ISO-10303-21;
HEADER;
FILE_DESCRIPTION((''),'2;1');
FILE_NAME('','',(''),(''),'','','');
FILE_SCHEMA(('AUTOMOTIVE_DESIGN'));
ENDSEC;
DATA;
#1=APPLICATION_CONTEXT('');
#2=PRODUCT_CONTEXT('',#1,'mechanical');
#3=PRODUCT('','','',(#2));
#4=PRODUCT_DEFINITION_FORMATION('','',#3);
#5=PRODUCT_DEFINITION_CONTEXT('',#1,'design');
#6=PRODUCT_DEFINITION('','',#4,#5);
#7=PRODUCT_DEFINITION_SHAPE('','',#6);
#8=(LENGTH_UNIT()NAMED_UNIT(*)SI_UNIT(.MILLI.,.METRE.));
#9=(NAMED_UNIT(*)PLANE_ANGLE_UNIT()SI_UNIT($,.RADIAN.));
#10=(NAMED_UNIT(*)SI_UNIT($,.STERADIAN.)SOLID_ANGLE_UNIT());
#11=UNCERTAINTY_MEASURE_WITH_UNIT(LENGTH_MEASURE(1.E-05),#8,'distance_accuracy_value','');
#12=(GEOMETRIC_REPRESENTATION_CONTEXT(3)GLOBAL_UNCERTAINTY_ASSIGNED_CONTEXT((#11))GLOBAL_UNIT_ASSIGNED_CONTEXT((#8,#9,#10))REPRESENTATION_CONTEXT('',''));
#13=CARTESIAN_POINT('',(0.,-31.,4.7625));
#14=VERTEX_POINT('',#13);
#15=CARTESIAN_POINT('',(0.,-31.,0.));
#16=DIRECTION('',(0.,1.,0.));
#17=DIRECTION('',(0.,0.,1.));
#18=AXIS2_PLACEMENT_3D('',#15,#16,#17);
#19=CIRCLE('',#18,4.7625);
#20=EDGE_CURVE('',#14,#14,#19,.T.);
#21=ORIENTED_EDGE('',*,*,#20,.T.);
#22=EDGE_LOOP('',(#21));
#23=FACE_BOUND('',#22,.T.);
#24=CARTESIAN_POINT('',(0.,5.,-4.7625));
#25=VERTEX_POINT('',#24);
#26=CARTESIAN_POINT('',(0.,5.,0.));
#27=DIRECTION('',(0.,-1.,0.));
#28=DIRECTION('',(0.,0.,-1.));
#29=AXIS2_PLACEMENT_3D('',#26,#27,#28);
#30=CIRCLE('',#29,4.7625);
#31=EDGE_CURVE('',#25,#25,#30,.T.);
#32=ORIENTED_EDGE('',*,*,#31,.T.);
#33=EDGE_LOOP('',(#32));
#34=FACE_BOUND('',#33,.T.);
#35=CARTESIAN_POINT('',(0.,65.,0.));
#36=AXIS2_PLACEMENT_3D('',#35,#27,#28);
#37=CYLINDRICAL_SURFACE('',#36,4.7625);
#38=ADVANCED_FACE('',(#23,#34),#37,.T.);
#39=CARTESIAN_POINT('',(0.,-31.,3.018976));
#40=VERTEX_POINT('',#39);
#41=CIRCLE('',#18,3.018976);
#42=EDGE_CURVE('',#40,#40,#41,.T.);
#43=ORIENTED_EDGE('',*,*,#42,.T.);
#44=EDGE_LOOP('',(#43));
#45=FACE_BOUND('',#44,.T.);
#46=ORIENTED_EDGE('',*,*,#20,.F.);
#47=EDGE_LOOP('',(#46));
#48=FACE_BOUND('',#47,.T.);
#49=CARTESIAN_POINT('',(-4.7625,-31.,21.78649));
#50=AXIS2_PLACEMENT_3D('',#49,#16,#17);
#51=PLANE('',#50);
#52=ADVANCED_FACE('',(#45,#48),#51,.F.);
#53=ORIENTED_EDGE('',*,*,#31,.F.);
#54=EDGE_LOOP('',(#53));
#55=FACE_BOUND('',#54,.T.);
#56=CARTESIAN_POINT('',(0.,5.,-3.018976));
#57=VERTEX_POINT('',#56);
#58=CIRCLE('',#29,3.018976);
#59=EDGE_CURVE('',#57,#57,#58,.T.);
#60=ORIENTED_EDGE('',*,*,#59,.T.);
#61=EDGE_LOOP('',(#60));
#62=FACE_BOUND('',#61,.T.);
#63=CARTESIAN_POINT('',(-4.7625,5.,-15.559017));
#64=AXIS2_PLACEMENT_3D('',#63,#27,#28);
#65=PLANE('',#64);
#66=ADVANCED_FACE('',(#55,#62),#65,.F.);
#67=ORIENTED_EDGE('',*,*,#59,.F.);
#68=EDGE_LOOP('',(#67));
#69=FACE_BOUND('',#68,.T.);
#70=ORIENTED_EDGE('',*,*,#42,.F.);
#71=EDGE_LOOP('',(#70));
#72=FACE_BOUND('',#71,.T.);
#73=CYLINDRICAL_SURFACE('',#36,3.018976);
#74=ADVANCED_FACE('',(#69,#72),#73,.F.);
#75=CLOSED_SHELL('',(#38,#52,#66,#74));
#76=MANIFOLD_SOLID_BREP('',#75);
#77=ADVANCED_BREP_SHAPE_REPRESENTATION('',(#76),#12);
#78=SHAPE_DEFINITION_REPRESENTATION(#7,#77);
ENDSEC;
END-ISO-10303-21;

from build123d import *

# Parameters (mm, degrees)
SKETCH1_R               = 4.7625
SKETCH1_R_2             = 3.018976491
BOSS_EXTRUDE1_DEPTH     = 65
SKETCH5_W               = 36.473052953
SKETCH5_H               = 81.397778837
CUT_EXTRUDE2_DEPTH      = 5.7625
CUT_EXTRUDE2_DEPTH_BACK = 5.7625
SKETCH6_W               = 37.230077322
SKETCH6_H               = 44.032609969
CUT_EXTRUDE3_DEPTH      = 5.7625
CUT_EXTRUDE3_DEPTH_BACK = 5.7625


with BuildPart() as part:
    # Sketch1 → Boss-Extrude1 (new body, symmetric)
    with BuildSketch(Plane(origin=(0, 0, 0), x_dir=(1, 0, 0), z_dir=(0, 1, 0))):
        Circle(SKETCH1_R)
        Circle(SKETCH1_R_2, mode=Mode.SUBTRACT)
    extrude(amount=BOSS_EXTRUDE1_DEPTH, both=True)

    # Sketch5 → Cut-Extrude2 (cut, two sides)
    with BuildSketch(Plane(origin=(0, 0, 0), x_dir=(0, 0, -1), z_dir=(1, 0, 0))) as cut_extrude2_sk:
        with Locations((-2.67750977, 45.698889419)):
            Rectangle(SKETCH5_W, SKETCH5_H)
    extrude(amount=CUT_EXTRUDE2_DEPTH, mode=Mode.SUBTRACT)
    extrude(cut_extrude2_sk.sketch, amount=-CUT_EXTRUDE2_DEPTH_BACK, mode=Mode.SUBTRACT)

    # Sketch6 → Cut-Extrude3 (cut, two sides)
    with BuildSketch(Plane(origin=(0, 0, 0), x_dir=(0, 0, -1), z_dir=(1, 0, 0))) as cut_extrude3_sk:
        with Locations((-3.171451031, -53.016304985)):
            Rectangle(SKETCH6_W, SKETCH6_H)
    extrude(amount=CUT_EXTRUDE3_DEPTH, mode=Mode.SUBTRACT)
    extrude(cut_extrude3_sk.sketch, amount=-CUT_EXTRUDE3_DEPTH_BACK, mode=Mode.SUBTRACT)


solid = part.part
